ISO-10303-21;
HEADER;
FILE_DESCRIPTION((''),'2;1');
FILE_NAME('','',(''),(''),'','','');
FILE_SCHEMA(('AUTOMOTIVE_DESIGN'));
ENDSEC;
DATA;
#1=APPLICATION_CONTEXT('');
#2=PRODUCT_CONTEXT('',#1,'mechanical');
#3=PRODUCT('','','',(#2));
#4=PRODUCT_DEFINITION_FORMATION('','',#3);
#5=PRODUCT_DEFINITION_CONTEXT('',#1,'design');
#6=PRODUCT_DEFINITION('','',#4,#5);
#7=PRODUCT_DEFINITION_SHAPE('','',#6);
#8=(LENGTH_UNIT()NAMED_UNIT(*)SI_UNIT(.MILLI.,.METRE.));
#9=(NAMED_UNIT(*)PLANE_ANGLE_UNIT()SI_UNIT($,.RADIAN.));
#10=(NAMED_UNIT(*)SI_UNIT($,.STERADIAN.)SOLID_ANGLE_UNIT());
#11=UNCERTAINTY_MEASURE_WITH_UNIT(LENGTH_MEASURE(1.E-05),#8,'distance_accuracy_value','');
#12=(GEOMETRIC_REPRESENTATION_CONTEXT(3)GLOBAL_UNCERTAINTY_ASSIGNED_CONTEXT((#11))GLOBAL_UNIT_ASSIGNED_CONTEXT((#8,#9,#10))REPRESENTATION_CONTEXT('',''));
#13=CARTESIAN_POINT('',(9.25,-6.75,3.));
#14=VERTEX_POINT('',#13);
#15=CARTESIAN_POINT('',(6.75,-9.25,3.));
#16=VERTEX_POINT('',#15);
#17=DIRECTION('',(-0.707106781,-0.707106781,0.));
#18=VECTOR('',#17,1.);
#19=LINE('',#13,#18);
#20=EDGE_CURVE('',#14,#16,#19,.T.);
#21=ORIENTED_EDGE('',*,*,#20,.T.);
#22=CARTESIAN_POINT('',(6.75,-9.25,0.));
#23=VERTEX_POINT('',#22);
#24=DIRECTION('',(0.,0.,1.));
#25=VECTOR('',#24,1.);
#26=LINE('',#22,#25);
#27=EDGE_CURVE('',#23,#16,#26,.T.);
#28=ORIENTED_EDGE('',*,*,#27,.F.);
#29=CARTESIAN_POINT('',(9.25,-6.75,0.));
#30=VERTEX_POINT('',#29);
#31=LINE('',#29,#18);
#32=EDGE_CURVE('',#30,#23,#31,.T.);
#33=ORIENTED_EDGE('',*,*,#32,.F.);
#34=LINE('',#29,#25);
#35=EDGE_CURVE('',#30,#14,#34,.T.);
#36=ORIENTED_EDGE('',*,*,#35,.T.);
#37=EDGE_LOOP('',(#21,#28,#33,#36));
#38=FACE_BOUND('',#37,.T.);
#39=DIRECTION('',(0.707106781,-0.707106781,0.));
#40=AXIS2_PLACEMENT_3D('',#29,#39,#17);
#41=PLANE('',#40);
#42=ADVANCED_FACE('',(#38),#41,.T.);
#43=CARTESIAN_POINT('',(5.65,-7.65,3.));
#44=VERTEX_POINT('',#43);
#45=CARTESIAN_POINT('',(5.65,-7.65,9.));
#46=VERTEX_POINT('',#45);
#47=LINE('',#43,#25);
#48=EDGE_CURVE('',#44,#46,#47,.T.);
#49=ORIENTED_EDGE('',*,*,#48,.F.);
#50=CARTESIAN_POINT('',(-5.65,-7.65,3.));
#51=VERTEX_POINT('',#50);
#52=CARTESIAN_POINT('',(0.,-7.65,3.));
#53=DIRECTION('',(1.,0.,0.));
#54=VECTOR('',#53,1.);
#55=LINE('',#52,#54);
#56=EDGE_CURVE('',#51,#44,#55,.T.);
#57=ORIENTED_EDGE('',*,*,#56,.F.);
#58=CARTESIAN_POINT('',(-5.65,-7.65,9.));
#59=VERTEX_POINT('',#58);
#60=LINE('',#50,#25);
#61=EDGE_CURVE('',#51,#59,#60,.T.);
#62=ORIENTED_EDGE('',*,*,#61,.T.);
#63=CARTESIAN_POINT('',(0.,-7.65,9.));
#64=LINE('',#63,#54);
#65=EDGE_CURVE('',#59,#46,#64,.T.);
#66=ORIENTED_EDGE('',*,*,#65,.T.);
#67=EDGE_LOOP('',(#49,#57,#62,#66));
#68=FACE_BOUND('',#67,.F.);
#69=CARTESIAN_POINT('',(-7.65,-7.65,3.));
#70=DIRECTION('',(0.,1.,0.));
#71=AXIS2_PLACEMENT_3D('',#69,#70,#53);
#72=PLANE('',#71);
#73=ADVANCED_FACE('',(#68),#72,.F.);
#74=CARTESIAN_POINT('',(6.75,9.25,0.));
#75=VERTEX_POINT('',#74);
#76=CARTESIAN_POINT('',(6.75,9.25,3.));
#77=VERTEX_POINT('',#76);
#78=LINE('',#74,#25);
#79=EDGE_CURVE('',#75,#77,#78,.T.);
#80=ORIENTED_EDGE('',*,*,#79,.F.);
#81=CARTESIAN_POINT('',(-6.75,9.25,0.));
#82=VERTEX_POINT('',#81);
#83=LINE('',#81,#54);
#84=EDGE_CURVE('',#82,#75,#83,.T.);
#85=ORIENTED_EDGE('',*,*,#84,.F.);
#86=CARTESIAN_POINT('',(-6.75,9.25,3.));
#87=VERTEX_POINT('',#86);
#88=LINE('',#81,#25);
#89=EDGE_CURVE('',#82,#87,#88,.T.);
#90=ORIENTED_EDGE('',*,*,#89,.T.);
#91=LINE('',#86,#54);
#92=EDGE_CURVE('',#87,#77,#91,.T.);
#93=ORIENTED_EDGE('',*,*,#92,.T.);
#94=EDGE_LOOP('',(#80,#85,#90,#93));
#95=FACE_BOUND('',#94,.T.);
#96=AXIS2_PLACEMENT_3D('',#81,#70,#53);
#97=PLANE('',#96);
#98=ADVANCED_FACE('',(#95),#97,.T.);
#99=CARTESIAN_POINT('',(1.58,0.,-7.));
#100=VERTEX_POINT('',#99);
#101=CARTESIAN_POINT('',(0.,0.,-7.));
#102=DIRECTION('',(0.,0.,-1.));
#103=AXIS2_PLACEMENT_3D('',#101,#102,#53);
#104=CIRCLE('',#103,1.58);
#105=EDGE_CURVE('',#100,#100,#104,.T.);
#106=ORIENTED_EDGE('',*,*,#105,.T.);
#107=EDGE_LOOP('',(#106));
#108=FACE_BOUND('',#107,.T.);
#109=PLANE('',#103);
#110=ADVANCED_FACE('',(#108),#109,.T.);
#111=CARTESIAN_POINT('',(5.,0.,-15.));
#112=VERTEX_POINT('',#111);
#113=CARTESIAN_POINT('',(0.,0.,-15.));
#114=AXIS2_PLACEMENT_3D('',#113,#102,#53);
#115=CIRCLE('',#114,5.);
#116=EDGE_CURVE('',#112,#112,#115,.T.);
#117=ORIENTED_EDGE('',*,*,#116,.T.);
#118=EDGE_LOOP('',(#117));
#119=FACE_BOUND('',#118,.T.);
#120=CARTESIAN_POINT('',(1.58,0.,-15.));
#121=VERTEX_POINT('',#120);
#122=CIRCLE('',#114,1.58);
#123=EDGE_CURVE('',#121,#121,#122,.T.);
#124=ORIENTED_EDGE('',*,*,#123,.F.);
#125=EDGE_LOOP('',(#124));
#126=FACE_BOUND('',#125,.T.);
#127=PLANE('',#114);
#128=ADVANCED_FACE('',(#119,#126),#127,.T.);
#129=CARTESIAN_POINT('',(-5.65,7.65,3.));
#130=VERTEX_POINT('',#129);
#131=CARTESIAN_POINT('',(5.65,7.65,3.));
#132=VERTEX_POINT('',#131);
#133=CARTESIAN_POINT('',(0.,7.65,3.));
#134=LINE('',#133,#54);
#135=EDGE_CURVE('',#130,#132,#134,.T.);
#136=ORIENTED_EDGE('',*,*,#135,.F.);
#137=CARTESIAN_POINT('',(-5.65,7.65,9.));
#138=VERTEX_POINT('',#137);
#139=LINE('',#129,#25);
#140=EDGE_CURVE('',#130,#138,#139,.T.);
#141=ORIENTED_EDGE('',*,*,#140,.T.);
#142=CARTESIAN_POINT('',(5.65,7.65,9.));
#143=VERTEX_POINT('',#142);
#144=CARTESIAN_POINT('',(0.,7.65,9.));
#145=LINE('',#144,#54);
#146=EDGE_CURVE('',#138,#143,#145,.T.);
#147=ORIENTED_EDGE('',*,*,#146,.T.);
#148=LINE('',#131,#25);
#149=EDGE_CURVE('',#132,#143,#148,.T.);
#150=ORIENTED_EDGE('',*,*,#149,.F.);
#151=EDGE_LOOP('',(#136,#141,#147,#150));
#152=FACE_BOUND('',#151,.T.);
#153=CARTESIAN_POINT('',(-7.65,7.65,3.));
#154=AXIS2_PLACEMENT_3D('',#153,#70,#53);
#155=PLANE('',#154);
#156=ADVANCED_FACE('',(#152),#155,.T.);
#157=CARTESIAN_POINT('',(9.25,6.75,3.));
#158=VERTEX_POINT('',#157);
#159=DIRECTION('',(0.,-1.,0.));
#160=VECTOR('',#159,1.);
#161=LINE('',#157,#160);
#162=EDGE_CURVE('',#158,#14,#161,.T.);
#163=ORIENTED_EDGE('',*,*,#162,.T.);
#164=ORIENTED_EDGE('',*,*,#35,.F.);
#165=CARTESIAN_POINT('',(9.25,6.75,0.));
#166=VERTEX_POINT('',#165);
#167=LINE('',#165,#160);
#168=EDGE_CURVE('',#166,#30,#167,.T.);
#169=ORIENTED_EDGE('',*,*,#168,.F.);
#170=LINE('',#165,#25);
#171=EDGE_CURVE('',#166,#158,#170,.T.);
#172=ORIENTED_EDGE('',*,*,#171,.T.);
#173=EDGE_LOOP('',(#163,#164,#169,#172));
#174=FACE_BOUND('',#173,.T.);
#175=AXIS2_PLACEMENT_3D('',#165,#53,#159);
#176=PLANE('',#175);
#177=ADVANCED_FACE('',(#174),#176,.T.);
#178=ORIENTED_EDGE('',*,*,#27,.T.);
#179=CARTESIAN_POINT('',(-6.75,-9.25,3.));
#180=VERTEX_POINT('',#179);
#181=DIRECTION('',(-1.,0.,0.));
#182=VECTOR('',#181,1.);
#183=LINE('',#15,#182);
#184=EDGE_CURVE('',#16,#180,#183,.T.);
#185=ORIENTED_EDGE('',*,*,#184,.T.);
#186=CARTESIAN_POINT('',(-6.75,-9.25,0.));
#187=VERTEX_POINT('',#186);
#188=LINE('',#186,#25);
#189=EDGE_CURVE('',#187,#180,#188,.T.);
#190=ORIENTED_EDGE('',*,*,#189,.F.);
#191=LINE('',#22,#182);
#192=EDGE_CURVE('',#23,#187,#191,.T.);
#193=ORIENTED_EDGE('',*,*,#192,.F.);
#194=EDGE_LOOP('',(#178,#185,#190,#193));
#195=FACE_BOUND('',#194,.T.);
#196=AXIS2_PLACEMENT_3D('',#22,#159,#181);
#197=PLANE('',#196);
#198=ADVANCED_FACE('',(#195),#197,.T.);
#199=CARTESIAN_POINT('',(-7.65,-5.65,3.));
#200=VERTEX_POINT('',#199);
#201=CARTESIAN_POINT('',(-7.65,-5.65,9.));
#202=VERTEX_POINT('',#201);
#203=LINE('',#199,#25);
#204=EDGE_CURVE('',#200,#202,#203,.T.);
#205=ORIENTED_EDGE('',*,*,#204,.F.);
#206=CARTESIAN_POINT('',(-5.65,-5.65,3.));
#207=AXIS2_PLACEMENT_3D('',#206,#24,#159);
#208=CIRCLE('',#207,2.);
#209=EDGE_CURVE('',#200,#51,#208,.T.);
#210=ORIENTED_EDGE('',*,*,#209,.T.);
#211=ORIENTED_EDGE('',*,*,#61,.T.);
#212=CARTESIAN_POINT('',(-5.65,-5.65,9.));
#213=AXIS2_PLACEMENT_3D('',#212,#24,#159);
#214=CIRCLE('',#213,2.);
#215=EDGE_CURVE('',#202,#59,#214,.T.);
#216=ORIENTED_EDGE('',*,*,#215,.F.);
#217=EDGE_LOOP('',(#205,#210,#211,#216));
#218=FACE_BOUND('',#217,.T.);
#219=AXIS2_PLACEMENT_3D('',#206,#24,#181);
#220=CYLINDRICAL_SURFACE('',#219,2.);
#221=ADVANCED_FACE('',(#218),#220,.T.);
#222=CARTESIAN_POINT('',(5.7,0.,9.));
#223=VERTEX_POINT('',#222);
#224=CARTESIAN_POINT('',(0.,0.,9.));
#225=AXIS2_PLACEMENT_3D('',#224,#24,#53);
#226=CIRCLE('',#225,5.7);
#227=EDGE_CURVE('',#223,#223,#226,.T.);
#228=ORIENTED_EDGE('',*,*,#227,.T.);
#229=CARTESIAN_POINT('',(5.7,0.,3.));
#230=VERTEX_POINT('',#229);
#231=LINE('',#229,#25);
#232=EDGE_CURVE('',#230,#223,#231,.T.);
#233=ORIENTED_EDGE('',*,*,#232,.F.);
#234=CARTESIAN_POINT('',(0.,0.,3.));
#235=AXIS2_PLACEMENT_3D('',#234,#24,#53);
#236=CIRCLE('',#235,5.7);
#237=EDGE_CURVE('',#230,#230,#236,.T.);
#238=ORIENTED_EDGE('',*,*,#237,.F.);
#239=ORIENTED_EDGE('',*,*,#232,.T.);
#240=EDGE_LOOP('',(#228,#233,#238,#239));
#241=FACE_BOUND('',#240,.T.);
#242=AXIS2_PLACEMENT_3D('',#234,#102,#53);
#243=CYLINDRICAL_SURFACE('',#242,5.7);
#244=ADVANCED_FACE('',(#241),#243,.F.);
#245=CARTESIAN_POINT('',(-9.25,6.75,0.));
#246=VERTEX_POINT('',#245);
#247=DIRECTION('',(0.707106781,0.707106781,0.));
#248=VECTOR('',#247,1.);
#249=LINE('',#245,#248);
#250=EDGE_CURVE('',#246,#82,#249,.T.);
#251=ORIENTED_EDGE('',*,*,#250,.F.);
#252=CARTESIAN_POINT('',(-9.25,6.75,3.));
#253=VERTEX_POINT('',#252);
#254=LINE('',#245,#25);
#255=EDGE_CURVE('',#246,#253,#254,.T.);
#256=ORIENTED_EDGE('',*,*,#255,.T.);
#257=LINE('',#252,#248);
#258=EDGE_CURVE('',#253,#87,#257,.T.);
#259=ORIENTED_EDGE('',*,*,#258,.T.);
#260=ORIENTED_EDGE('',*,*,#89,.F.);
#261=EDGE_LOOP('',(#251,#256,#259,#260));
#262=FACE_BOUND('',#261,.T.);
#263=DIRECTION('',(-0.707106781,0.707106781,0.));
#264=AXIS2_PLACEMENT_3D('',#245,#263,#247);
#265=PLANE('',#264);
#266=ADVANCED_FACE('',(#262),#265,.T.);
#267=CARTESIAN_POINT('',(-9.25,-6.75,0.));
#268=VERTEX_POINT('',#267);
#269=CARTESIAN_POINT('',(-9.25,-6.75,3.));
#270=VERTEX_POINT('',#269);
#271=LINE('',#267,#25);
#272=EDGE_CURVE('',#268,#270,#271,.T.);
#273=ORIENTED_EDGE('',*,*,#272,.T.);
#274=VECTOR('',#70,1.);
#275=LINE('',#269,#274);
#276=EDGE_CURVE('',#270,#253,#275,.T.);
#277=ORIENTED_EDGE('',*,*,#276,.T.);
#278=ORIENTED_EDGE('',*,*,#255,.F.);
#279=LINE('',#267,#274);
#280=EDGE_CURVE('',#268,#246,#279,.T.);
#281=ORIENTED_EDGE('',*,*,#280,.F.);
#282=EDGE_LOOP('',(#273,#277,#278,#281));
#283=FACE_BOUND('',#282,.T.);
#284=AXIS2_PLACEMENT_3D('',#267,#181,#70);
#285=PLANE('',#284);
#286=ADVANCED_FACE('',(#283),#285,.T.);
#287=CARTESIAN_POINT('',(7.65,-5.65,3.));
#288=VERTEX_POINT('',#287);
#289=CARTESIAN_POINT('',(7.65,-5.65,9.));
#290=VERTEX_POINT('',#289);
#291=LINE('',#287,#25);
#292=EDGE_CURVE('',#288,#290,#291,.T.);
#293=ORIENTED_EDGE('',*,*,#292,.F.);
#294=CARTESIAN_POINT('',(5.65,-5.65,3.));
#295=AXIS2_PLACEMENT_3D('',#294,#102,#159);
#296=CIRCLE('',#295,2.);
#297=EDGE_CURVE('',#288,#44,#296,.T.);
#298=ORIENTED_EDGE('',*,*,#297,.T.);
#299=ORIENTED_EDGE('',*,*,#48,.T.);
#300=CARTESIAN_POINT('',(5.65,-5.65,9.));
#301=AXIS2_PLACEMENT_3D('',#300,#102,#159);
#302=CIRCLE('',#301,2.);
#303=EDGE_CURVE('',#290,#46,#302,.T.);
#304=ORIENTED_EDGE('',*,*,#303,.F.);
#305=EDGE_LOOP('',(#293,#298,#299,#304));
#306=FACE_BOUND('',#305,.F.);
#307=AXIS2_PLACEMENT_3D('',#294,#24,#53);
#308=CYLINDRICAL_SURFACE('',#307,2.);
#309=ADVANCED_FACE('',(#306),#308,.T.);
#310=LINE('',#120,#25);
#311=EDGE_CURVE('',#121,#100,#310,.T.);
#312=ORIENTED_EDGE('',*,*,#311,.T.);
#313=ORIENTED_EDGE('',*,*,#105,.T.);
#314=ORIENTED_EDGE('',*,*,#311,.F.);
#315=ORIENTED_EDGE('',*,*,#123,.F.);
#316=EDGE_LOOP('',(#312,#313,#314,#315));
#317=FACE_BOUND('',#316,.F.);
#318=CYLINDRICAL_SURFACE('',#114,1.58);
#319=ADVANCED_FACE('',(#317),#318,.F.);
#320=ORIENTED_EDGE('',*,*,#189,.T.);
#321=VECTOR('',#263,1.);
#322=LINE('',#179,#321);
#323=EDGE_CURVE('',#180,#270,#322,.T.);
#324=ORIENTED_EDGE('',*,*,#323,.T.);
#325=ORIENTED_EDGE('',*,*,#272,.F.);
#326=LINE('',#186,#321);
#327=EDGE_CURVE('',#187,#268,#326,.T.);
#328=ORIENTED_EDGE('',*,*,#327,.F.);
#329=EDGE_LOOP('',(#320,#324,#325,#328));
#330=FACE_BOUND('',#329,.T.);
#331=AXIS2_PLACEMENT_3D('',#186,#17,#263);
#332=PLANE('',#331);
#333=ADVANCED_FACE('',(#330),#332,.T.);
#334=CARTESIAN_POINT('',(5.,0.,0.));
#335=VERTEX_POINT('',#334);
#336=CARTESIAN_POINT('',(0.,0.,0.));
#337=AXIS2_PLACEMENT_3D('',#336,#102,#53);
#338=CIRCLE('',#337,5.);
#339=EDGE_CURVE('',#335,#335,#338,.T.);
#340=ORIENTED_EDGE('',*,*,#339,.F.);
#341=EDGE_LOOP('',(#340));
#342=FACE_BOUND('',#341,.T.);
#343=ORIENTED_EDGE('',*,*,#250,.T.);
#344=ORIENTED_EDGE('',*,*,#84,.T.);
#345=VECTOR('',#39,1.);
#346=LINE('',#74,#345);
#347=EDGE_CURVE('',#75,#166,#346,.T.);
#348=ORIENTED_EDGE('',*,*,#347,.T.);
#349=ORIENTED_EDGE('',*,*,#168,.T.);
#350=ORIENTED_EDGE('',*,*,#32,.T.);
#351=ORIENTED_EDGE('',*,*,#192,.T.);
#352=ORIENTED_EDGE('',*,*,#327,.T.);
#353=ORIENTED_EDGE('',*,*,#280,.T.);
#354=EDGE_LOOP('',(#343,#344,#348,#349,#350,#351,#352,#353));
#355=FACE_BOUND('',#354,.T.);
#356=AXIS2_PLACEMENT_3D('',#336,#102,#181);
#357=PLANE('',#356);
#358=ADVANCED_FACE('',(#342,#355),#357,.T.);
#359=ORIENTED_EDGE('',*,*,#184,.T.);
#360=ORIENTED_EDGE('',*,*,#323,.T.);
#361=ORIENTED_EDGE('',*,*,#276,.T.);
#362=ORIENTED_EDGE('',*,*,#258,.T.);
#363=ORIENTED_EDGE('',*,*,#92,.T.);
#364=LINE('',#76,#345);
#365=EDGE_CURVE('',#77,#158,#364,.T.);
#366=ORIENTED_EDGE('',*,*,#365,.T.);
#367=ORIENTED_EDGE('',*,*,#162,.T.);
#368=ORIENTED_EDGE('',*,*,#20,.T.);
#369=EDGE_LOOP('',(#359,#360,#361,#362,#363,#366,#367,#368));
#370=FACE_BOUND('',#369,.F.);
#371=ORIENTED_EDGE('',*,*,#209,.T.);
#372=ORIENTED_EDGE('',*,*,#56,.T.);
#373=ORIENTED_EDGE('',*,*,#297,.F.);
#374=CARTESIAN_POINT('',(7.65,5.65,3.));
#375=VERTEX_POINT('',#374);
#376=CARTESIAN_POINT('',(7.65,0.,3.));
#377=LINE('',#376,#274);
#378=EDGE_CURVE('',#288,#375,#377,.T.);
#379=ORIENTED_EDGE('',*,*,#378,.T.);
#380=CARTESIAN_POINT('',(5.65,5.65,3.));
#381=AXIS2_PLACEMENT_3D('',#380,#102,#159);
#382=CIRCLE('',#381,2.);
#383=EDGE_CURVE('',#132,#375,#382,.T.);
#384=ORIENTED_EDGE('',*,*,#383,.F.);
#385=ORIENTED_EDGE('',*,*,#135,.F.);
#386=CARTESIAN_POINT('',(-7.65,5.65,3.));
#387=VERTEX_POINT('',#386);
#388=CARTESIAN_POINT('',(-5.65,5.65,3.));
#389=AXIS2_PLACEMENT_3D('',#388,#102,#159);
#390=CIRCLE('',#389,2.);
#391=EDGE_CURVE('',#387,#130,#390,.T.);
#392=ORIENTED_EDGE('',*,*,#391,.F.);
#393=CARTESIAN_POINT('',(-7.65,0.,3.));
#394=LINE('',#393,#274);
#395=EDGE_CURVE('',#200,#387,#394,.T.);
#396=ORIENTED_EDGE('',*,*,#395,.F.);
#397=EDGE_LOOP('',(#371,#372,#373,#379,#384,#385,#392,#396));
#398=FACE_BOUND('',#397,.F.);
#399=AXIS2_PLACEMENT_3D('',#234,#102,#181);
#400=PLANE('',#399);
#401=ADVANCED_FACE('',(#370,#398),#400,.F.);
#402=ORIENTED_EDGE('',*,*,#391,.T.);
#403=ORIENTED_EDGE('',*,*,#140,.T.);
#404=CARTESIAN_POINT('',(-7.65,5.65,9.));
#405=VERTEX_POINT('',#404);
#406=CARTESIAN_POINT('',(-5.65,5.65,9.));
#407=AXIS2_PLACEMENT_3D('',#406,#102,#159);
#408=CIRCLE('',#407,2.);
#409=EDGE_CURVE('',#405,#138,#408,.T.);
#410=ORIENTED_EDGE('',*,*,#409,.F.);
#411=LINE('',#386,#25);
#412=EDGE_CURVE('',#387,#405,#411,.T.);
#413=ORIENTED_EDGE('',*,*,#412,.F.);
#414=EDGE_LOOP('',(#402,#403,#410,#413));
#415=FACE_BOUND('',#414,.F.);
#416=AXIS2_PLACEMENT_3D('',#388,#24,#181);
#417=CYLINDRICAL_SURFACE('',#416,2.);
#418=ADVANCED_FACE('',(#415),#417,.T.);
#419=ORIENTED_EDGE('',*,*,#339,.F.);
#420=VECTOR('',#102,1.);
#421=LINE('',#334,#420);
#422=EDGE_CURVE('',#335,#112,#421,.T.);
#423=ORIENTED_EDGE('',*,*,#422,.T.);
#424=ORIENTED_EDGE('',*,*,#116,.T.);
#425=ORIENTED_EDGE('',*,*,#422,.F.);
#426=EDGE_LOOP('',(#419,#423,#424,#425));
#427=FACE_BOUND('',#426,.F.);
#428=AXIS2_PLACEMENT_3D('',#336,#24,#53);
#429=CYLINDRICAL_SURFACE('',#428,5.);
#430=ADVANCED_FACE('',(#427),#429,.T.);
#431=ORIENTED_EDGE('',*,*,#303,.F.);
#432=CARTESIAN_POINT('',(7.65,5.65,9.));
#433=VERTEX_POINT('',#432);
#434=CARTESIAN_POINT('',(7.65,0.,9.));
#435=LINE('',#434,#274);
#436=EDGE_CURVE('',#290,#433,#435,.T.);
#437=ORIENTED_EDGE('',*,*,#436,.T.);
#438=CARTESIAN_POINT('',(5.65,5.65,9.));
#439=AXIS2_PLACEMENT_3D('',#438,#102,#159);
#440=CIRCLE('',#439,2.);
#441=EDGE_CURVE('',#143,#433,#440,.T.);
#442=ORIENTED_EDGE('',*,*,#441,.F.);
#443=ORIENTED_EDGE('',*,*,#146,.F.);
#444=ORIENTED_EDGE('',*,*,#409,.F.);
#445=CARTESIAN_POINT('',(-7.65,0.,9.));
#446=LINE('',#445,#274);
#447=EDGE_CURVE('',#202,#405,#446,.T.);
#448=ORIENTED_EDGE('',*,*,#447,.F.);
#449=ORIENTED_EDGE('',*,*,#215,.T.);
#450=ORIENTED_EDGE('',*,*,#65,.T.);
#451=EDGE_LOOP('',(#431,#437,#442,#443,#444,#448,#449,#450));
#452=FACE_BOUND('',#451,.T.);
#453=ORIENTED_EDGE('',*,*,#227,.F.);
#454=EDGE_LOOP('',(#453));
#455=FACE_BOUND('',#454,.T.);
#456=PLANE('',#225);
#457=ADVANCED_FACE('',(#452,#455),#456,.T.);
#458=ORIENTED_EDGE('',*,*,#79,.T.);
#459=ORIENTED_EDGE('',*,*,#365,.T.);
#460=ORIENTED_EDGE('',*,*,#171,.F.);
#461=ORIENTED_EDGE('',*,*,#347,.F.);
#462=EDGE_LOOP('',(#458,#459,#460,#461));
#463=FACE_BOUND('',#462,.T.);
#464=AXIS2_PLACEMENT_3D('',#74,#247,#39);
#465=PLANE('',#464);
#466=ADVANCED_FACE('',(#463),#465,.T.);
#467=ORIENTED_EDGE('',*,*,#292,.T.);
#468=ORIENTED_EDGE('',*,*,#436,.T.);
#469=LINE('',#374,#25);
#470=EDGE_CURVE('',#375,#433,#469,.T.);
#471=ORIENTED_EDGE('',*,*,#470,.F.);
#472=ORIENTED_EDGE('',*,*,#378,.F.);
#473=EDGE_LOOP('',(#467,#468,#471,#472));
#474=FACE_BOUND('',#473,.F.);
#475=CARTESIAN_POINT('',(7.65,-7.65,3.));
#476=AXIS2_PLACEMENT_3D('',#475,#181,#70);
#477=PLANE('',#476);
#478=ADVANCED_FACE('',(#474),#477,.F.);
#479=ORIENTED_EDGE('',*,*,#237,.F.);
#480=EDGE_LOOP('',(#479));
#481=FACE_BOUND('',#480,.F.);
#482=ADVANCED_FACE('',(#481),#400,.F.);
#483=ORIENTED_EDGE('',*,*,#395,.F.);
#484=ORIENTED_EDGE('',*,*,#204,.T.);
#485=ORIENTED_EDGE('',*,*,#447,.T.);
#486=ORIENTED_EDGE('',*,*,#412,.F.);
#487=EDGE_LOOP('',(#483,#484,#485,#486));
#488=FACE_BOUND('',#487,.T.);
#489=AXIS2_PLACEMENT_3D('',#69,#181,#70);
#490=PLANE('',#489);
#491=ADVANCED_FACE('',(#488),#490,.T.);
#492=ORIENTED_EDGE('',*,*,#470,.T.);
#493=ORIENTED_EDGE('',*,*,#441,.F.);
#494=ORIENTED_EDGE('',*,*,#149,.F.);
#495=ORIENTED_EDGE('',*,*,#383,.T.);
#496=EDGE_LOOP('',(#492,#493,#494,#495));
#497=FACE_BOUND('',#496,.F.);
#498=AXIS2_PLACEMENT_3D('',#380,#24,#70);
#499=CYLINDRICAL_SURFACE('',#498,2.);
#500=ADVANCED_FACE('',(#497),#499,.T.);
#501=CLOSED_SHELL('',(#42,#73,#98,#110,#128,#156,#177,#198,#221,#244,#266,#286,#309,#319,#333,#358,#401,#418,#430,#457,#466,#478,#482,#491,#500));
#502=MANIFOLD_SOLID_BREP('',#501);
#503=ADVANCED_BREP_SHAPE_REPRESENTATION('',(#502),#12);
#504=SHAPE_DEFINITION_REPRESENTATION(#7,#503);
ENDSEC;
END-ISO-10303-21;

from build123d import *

# Parameters (mm, degrees)
PAD_DEPTH    = 3
SKETCH001_W  = 15.3
SKETCH001_H  = 15.3
SKETCH001_R  = 5.7
PAD001_DEPTH = 6
SKETCH002_R  = 5
PAD002_DEPTH = 15
SKETCH003_R  = 1.58
POCKET_DEPTH = 8
FILLET_R     = 2


with BuildPart() as part:
    # Sketch → Pad (new body)
    with BuildSketch(Plane.XY):
        Polygon((-9.25, 6.75), (-6.75, 9.25), (6.75, 9.25), (9.25, 6.75), (9.25, -6.75), (6.75, -9.25), (-6.75, -9.25), (-9.25, -6.75), align=None)
    extrude(amount=PAD_DEPTH)

    # Sketch001 → Pad001 (new body)
    with BuildSketch(Plane.XY.offset(3)):
        Rectangle(SKETCH001_W, SKETCH001_H)
        Circle(SKETCH001_R, mode=Mode.SUBTRACT)
    extrude(amount=PAD001_DEPTH)

    # Sketch002 → Pad002 (new body)
    with BuildSketch(Plane(origin=(0, 0, 0), x_dir=(1, 0, 0), z_dir=(0, 0, -1))):
        Circle(SKETCH002_R)
    extrude(amount=PAD002_DEPTH)

    # Sketch003 → Pocket (cut)
    with BuildSketch(Plane(origin=(0, 0, -15), x_dir=(1, 0, 0), z_dir=(0, 0, -1))):
        Circle(SKETCH003_R)
    extrude(amount=-POCKET_DEPTH, mode=Mode.SUBTRACT)

    # Fillet
    fillet_edges = [part.edges().sort_by_distance(p)[0] for p in [
        (-7.65, -7.65, 6),
        (7.65, -7.65, 6),
        (-7.65, 7.65, 6),
        (7.65, 7.65, 6),
    ]]
    fillet(fillet_edges, radius=FILLET_R)


solid = part.part
